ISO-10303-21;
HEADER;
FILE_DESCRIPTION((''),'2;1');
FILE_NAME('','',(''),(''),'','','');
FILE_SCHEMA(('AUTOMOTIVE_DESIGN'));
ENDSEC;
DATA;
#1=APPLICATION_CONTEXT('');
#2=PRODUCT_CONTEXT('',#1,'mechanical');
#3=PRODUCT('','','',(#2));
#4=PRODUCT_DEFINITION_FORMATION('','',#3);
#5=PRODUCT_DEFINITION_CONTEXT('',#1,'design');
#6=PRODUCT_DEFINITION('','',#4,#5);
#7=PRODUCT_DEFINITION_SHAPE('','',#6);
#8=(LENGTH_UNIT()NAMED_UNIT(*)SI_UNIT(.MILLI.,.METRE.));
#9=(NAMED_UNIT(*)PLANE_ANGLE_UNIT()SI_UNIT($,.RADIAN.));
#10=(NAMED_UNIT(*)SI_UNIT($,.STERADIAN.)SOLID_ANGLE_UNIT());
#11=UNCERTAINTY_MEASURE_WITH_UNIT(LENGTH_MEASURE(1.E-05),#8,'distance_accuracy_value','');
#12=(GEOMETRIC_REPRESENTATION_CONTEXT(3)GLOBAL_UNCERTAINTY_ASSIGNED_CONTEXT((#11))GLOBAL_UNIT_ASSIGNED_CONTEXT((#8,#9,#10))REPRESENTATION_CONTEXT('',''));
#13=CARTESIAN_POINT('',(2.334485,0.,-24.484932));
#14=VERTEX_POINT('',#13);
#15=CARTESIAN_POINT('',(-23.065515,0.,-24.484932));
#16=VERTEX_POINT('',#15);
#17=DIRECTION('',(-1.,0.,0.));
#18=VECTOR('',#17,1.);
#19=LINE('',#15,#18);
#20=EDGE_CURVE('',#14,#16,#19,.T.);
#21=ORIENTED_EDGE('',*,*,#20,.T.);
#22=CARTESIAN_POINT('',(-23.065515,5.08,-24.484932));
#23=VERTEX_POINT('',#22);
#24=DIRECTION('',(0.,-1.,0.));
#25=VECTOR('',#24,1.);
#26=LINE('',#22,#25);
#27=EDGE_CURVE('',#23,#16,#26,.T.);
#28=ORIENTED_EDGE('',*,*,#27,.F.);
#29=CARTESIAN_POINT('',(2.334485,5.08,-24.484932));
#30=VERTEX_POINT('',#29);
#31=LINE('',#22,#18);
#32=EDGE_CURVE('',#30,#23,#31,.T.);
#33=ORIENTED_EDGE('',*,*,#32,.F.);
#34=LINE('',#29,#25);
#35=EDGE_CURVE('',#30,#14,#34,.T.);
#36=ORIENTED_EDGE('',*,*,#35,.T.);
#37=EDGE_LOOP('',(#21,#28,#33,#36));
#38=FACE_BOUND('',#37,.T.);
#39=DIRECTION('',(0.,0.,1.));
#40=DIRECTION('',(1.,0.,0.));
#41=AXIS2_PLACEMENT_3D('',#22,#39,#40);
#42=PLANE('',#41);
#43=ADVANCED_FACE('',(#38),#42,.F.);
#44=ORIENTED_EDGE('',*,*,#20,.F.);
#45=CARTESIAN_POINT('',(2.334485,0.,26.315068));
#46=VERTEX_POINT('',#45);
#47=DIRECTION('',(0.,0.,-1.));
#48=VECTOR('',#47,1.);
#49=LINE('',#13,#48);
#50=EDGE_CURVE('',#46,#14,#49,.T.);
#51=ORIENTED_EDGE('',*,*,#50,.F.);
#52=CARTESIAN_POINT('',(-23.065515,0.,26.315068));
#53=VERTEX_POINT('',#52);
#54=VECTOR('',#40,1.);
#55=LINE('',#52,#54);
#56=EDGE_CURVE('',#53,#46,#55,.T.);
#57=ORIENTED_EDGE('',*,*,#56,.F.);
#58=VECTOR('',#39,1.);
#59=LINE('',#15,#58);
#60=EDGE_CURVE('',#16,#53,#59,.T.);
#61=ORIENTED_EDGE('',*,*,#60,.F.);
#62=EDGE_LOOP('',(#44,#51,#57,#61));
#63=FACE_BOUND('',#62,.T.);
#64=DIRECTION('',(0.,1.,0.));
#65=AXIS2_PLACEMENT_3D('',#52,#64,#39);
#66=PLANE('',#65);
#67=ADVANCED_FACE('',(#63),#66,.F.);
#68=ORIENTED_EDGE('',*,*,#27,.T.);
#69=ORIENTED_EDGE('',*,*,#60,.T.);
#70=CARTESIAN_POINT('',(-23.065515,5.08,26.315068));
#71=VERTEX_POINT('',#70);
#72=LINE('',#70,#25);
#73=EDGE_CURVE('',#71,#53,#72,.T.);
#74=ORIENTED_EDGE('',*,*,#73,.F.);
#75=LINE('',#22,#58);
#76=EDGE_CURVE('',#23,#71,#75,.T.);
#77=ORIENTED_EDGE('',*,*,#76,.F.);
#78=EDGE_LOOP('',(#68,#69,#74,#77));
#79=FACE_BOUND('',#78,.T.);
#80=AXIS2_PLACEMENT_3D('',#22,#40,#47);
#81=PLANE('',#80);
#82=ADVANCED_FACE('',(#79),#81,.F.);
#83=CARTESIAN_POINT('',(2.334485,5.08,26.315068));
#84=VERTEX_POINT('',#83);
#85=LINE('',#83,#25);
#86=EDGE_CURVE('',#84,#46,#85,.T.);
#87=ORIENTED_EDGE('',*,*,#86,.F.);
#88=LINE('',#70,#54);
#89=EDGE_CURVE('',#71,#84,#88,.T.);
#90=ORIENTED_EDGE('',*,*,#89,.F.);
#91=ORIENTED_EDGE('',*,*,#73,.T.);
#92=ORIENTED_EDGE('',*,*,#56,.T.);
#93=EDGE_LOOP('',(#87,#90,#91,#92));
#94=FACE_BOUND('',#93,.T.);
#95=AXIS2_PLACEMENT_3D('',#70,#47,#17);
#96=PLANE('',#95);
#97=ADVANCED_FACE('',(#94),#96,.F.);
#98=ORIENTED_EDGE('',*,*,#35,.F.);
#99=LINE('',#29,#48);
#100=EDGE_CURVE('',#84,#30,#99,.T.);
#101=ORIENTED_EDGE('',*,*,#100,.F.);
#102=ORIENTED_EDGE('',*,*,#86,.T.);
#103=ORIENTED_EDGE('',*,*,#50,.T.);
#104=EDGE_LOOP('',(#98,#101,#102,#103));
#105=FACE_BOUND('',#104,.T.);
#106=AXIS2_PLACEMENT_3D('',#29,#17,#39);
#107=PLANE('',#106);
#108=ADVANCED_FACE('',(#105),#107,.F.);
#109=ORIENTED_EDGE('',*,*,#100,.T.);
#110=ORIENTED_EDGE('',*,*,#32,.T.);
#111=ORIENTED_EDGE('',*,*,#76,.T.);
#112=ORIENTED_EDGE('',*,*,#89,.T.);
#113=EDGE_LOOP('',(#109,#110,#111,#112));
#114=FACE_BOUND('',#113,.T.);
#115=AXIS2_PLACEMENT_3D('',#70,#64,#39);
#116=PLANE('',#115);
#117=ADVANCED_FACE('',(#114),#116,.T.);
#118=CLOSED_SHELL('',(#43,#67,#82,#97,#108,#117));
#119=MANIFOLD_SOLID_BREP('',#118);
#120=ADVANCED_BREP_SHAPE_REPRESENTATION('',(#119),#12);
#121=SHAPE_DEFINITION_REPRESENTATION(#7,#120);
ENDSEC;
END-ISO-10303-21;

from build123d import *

# Parameters (mm, degrees)
SKETCH1_W           = 25.4
SKETCH1_H           = 50.8
BOSS_EXTRUDE1_DEPTH = 5.08


with BuildPart() as part:
    # Sketch1 → Boss-Extrude1 (new body)
    with BuildSketch(Plane(origin=(0, 0, 0), x_dir=(1, 0, 0), z_dir=(0, 1, 0))):
        with Locations((-10.365515292, -0.915068383)):
            Rectangle(SKETCH1_W, SKETCH1_H)
    extrude(amount=BOSS_EXTRUDE1_DEPTH)


solid = part.part
